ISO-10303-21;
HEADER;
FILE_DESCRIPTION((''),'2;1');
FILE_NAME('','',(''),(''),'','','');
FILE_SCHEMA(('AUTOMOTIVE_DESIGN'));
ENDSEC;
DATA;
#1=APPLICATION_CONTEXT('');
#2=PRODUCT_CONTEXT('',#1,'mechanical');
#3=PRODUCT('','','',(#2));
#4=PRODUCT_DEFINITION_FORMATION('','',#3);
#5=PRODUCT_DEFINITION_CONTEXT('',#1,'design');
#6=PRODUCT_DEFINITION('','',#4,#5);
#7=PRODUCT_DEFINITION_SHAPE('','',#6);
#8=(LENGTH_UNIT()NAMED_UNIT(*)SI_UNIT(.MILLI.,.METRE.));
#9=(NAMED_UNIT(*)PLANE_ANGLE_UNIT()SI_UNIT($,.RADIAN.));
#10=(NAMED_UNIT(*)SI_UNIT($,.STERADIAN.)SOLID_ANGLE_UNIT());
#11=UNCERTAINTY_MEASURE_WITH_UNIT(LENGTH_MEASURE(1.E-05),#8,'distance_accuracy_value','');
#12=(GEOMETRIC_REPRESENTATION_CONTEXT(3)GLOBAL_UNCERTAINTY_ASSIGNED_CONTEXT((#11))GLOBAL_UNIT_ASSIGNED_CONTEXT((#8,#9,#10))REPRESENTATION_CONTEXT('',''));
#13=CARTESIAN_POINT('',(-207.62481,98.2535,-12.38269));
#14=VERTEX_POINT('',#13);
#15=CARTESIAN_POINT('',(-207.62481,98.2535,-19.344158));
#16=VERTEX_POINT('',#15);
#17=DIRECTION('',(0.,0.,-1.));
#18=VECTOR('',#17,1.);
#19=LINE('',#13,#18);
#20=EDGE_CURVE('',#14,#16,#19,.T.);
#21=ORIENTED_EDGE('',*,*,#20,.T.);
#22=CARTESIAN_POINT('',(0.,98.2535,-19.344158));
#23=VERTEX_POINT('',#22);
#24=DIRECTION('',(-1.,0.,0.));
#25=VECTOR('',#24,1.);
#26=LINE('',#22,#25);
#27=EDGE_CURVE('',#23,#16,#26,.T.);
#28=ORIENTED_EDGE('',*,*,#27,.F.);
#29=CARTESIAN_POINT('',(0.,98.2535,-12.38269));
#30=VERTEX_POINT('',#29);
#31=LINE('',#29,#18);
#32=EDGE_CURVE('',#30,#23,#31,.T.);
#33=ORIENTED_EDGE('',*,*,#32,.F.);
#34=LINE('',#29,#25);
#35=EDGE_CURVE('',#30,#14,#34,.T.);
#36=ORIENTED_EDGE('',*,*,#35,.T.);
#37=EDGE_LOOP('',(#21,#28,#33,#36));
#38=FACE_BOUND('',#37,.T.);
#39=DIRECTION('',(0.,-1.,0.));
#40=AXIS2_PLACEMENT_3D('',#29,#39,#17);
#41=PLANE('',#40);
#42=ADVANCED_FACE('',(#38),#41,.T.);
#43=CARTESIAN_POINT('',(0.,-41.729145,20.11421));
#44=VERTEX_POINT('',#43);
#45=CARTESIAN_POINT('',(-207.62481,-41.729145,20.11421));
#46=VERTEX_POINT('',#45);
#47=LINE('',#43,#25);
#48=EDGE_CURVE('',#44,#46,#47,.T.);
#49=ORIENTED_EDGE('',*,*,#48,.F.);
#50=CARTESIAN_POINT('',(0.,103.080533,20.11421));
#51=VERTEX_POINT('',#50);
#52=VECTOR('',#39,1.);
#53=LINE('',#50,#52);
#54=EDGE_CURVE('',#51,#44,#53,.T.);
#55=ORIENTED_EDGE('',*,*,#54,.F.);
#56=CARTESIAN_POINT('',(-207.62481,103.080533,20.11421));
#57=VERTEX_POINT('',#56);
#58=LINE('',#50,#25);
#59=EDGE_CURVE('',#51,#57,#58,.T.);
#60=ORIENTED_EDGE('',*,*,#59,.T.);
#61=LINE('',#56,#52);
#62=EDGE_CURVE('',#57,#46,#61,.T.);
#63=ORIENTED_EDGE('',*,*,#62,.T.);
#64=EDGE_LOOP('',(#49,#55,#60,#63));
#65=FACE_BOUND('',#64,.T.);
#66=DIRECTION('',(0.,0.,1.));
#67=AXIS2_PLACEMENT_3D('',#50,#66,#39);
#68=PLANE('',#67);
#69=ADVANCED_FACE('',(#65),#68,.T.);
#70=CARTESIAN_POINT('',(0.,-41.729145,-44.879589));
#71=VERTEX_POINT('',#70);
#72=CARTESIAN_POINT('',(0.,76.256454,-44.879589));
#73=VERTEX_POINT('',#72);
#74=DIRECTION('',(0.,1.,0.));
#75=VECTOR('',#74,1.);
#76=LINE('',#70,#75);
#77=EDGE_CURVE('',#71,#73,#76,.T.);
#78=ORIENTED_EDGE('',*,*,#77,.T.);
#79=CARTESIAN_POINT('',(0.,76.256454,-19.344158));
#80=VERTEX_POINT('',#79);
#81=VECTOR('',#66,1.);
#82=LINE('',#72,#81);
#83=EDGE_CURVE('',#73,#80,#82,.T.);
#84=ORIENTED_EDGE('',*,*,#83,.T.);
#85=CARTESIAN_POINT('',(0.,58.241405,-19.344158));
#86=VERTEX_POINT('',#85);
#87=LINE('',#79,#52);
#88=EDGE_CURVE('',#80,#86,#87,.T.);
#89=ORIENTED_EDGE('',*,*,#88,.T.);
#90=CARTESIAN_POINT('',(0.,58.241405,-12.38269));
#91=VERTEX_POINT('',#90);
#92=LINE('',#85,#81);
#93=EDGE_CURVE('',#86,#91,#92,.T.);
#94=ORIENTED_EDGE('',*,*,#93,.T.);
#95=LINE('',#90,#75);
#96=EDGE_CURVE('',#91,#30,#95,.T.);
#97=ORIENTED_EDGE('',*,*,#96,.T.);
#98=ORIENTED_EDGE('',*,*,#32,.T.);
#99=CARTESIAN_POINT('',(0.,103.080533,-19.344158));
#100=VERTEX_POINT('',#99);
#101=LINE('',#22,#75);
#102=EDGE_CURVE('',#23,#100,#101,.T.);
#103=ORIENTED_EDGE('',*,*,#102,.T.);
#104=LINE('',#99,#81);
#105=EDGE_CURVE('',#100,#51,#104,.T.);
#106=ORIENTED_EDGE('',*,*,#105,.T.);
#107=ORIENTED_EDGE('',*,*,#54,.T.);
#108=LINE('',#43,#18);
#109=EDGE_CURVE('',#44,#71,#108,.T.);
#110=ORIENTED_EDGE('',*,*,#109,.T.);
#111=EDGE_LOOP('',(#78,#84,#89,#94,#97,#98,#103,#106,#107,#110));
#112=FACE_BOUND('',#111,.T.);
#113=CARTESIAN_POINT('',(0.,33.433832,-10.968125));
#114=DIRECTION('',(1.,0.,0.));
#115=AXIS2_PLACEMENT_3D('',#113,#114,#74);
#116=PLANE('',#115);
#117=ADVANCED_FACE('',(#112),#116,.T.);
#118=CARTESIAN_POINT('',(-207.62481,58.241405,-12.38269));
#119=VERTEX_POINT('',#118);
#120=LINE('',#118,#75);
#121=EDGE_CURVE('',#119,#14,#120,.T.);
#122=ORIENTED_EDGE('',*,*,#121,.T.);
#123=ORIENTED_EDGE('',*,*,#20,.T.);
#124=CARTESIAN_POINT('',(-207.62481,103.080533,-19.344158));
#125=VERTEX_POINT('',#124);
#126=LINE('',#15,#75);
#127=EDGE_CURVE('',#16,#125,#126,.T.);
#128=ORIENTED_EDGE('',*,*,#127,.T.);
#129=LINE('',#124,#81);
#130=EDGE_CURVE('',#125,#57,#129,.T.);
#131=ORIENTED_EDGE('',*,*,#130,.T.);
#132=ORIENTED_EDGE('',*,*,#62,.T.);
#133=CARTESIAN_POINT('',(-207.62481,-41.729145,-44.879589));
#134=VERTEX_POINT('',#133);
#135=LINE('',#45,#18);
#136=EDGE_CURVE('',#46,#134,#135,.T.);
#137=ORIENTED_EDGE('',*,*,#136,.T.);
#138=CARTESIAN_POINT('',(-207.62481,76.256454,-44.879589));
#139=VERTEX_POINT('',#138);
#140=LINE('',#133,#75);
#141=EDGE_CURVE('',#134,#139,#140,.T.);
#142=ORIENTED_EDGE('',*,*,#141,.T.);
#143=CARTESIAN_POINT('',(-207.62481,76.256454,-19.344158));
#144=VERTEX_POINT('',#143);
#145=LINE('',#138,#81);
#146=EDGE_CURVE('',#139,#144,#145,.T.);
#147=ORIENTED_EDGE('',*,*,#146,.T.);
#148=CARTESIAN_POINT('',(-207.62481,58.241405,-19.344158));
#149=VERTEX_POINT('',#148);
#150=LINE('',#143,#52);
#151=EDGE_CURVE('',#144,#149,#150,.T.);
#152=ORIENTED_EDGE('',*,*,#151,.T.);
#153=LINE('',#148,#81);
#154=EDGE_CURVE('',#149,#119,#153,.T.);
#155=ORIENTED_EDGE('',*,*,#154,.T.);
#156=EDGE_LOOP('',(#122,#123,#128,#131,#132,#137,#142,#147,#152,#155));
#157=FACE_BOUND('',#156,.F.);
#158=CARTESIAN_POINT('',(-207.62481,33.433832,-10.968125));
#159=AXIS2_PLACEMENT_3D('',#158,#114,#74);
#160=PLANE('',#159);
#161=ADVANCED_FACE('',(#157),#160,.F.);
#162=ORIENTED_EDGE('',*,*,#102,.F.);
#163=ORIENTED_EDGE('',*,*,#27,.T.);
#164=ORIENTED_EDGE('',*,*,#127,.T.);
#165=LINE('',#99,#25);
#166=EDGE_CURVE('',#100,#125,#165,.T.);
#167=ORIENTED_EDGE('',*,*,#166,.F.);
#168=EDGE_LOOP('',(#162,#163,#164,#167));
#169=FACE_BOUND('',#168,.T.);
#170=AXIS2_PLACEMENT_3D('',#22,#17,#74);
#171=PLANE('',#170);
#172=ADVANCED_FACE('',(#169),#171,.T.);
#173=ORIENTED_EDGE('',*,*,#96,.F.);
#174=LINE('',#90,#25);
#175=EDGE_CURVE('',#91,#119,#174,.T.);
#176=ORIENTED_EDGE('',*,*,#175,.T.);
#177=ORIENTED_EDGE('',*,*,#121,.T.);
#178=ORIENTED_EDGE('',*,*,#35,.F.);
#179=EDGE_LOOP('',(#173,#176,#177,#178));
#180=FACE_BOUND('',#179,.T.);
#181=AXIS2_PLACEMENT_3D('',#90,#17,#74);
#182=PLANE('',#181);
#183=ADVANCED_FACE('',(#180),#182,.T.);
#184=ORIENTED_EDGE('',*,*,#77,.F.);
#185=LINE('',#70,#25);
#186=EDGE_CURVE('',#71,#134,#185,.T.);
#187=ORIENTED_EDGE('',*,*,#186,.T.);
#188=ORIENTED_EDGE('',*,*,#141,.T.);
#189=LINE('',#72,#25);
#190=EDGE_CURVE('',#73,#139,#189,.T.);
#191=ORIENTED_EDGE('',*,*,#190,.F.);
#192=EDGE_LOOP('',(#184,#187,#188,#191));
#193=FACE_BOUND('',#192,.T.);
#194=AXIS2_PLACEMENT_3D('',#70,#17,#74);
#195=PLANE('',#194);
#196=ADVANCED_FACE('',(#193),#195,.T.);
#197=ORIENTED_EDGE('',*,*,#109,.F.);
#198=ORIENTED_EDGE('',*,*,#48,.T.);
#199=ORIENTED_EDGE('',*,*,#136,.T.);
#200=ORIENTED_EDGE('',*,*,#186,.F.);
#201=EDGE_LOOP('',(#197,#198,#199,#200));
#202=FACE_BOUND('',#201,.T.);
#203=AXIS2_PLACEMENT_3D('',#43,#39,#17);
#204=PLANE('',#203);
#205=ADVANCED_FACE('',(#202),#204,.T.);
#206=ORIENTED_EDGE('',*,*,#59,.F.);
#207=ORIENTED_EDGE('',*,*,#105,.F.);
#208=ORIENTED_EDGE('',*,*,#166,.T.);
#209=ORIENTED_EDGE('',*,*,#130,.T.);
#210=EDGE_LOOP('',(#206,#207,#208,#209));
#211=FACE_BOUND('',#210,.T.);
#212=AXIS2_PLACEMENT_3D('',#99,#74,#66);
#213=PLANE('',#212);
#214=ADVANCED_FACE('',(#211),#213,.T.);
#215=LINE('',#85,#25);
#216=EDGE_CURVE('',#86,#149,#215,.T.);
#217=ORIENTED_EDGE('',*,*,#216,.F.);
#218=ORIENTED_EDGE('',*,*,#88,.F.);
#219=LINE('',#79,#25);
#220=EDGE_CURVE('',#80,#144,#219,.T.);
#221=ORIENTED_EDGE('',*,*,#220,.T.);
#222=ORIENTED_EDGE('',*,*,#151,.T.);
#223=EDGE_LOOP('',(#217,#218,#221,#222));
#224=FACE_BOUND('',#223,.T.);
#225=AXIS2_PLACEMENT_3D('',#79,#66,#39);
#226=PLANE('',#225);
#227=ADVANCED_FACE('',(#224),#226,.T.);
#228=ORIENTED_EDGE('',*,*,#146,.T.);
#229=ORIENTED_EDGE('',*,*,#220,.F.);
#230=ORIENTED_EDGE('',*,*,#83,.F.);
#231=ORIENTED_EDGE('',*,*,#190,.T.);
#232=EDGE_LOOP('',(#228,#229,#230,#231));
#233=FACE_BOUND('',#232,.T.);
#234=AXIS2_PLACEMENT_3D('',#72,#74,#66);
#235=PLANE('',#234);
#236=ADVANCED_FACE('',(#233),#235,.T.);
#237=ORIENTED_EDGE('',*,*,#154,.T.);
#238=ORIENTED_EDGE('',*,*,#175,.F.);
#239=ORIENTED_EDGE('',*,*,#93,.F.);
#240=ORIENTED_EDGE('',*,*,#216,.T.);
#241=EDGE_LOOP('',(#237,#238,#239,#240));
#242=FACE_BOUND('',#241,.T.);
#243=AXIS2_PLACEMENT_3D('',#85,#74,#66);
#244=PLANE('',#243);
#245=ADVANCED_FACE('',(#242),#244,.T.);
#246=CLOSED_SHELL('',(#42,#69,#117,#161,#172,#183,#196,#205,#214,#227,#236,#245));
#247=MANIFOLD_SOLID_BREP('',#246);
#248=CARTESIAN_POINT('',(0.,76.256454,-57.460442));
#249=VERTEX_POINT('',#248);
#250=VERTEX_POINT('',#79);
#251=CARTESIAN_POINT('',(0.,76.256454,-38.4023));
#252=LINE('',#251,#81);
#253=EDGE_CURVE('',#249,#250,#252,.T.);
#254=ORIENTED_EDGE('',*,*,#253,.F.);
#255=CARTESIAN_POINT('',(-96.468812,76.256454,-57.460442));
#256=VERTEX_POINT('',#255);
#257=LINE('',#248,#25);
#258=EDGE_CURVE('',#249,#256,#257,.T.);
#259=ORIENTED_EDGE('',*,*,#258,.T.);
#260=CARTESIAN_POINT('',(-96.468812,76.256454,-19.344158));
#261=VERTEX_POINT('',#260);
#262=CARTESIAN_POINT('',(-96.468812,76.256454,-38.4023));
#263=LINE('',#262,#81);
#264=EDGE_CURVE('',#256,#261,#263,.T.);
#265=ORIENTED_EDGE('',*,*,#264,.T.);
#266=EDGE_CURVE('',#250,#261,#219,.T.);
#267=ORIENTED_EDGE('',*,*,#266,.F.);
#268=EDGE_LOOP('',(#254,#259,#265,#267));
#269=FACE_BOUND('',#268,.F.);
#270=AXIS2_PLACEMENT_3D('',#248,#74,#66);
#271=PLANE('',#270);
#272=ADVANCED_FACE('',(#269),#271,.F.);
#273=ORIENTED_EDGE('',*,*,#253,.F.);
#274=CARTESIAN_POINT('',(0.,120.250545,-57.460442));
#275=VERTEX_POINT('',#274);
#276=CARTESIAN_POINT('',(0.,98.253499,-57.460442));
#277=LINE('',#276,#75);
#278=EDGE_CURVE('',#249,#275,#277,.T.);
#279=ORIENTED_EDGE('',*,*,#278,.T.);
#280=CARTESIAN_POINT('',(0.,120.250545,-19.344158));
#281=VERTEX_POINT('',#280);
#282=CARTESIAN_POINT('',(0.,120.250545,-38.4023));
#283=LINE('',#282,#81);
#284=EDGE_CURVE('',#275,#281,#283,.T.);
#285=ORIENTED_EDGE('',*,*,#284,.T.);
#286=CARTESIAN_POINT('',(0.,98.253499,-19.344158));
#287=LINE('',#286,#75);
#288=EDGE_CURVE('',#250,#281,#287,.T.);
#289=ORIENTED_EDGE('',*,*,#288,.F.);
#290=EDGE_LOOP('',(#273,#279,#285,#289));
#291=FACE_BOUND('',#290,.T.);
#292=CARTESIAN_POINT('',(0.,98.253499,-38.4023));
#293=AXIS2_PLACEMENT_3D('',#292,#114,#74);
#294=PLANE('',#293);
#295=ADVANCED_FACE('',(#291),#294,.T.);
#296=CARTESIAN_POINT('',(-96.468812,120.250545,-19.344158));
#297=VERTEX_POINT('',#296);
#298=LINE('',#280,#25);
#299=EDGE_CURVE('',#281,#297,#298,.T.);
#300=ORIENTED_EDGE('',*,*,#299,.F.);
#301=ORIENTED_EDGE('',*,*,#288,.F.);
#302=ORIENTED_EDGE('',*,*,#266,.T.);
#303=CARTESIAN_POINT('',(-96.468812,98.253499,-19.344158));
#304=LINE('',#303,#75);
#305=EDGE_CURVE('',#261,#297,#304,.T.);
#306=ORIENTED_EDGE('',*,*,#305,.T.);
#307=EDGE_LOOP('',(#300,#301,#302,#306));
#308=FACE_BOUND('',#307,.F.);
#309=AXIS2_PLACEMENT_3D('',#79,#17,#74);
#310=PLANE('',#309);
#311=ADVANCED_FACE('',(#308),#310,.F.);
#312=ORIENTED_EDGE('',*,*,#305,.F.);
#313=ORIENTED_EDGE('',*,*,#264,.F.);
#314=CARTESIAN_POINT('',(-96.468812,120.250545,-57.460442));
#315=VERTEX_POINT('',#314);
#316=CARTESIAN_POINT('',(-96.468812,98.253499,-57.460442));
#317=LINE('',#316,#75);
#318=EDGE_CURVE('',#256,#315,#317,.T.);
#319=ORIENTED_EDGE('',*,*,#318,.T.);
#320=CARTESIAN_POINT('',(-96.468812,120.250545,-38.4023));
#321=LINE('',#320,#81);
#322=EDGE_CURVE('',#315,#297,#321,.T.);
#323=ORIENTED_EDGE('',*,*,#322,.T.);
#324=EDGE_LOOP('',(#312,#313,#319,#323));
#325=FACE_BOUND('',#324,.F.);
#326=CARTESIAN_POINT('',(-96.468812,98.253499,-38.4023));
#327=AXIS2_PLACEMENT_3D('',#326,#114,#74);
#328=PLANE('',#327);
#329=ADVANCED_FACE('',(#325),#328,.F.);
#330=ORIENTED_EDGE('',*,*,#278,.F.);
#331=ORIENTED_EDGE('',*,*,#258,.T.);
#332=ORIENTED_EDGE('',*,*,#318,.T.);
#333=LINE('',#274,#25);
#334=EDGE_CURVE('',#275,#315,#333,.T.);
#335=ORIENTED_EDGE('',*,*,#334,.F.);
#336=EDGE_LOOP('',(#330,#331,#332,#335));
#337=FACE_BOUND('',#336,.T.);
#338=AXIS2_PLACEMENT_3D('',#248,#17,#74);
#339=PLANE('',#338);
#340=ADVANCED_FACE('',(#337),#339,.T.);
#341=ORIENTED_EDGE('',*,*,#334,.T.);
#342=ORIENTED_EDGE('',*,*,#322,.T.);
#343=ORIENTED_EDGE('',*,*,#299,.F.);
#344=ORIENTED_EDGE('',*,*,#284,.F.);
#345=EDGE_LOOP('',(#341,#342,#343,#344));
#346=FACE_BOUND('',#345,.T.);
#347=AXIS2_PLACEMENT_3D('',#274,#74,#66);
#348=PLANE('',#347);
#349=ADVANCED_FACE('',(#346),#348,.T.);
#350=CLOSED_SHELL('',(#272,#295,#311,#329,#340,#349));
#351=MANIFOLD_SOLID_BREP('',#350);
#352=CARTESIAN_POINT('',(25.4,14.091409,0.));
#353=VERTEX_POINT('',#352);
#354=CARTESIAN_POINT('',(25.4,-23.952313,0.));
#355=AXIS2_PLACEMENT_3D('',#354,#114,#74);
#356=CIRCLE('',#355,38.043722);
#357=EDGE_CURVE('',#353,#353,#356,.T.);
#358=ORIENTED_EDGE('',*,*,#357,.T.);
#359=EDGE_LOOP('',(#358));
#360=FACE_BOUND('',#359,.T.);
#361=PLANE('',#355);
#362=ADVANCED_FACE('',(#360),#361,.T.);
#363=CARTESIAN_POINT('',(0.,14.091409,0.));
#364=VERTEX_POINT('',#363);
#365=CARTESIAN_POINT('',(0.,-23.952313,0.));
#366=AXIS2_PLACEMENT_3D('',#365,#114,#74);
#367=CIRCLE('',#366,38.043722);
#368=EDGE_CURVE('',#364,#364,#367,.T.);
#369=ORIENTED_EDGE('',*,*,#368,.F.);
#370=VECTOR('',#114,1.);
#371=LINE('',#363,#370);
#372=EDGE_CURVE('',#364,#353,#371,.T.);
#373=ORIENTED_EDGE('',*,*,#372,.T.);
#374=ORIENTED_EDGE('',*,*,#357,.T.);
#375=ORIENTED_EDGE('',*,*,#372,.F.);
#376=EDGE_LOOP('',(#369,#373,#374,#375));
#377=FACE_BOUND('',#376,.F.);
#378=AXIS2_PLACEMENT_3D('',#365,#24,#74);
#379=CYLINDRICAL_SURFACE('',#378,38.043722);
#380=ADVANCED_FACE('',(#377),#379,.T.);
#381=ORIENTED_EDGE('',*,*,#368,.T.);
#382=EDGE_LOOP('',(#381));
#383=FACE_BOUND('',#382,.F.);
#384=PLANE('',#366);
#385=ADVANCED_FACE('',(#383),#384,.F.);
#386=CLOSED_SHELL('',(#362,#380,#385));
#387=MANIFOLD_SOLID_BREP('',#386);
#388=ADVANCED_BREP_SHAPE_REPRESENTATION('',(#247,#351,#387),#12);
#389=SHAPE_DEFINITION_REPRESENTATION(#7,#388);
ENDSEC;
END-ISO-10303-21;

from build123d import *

# Parameters (mm, degrees)
F0_R     = 38.043722
F1_DEPTH = 25.4
F2_W     = 43.994091
F2_H     = 38.116284
F3_DEPTH = 96.468812
F5_DEPTH = 207.62481


with BuildPart() as f1:
    # F0 (on Right) → F1 (new body)
    with BuildSketch(Plane.YZ):
        with Locations((-23.952313, 0)):
            Circle(F0_R)
    extrude(amount=F1_DEPTH)


with BuildPart() as f3:
    # F2 (on Right) → F3 (new body)
    with BuildSketch(Plane.YZ):
        with Locations((98.253499, -38.4023)):
            Rectangle(F2_W, F2_H)
    extrude(amount=-F3_DEPTH)


with BuildPart() as f5:
    # F4 (on face) → F5 (new body)
    with BuildSketch(Plane.YZ):
        Polygon((-41.729145, -44.879589), (76.256454, -44.879589), (76.256454, -19.344158), (58.241405, -19.344158), (58.241405, -12.38269), (98.2535, -12.38269), (98.2535, -19.344158), (103.080533, -19.344158), (103.080533, 20.11421), (-41.729145, 20.11421), align=None)
    extrude(amount=-F5_DEPTH)


solid = Compound([f1.part, f3.part, f5.part])
